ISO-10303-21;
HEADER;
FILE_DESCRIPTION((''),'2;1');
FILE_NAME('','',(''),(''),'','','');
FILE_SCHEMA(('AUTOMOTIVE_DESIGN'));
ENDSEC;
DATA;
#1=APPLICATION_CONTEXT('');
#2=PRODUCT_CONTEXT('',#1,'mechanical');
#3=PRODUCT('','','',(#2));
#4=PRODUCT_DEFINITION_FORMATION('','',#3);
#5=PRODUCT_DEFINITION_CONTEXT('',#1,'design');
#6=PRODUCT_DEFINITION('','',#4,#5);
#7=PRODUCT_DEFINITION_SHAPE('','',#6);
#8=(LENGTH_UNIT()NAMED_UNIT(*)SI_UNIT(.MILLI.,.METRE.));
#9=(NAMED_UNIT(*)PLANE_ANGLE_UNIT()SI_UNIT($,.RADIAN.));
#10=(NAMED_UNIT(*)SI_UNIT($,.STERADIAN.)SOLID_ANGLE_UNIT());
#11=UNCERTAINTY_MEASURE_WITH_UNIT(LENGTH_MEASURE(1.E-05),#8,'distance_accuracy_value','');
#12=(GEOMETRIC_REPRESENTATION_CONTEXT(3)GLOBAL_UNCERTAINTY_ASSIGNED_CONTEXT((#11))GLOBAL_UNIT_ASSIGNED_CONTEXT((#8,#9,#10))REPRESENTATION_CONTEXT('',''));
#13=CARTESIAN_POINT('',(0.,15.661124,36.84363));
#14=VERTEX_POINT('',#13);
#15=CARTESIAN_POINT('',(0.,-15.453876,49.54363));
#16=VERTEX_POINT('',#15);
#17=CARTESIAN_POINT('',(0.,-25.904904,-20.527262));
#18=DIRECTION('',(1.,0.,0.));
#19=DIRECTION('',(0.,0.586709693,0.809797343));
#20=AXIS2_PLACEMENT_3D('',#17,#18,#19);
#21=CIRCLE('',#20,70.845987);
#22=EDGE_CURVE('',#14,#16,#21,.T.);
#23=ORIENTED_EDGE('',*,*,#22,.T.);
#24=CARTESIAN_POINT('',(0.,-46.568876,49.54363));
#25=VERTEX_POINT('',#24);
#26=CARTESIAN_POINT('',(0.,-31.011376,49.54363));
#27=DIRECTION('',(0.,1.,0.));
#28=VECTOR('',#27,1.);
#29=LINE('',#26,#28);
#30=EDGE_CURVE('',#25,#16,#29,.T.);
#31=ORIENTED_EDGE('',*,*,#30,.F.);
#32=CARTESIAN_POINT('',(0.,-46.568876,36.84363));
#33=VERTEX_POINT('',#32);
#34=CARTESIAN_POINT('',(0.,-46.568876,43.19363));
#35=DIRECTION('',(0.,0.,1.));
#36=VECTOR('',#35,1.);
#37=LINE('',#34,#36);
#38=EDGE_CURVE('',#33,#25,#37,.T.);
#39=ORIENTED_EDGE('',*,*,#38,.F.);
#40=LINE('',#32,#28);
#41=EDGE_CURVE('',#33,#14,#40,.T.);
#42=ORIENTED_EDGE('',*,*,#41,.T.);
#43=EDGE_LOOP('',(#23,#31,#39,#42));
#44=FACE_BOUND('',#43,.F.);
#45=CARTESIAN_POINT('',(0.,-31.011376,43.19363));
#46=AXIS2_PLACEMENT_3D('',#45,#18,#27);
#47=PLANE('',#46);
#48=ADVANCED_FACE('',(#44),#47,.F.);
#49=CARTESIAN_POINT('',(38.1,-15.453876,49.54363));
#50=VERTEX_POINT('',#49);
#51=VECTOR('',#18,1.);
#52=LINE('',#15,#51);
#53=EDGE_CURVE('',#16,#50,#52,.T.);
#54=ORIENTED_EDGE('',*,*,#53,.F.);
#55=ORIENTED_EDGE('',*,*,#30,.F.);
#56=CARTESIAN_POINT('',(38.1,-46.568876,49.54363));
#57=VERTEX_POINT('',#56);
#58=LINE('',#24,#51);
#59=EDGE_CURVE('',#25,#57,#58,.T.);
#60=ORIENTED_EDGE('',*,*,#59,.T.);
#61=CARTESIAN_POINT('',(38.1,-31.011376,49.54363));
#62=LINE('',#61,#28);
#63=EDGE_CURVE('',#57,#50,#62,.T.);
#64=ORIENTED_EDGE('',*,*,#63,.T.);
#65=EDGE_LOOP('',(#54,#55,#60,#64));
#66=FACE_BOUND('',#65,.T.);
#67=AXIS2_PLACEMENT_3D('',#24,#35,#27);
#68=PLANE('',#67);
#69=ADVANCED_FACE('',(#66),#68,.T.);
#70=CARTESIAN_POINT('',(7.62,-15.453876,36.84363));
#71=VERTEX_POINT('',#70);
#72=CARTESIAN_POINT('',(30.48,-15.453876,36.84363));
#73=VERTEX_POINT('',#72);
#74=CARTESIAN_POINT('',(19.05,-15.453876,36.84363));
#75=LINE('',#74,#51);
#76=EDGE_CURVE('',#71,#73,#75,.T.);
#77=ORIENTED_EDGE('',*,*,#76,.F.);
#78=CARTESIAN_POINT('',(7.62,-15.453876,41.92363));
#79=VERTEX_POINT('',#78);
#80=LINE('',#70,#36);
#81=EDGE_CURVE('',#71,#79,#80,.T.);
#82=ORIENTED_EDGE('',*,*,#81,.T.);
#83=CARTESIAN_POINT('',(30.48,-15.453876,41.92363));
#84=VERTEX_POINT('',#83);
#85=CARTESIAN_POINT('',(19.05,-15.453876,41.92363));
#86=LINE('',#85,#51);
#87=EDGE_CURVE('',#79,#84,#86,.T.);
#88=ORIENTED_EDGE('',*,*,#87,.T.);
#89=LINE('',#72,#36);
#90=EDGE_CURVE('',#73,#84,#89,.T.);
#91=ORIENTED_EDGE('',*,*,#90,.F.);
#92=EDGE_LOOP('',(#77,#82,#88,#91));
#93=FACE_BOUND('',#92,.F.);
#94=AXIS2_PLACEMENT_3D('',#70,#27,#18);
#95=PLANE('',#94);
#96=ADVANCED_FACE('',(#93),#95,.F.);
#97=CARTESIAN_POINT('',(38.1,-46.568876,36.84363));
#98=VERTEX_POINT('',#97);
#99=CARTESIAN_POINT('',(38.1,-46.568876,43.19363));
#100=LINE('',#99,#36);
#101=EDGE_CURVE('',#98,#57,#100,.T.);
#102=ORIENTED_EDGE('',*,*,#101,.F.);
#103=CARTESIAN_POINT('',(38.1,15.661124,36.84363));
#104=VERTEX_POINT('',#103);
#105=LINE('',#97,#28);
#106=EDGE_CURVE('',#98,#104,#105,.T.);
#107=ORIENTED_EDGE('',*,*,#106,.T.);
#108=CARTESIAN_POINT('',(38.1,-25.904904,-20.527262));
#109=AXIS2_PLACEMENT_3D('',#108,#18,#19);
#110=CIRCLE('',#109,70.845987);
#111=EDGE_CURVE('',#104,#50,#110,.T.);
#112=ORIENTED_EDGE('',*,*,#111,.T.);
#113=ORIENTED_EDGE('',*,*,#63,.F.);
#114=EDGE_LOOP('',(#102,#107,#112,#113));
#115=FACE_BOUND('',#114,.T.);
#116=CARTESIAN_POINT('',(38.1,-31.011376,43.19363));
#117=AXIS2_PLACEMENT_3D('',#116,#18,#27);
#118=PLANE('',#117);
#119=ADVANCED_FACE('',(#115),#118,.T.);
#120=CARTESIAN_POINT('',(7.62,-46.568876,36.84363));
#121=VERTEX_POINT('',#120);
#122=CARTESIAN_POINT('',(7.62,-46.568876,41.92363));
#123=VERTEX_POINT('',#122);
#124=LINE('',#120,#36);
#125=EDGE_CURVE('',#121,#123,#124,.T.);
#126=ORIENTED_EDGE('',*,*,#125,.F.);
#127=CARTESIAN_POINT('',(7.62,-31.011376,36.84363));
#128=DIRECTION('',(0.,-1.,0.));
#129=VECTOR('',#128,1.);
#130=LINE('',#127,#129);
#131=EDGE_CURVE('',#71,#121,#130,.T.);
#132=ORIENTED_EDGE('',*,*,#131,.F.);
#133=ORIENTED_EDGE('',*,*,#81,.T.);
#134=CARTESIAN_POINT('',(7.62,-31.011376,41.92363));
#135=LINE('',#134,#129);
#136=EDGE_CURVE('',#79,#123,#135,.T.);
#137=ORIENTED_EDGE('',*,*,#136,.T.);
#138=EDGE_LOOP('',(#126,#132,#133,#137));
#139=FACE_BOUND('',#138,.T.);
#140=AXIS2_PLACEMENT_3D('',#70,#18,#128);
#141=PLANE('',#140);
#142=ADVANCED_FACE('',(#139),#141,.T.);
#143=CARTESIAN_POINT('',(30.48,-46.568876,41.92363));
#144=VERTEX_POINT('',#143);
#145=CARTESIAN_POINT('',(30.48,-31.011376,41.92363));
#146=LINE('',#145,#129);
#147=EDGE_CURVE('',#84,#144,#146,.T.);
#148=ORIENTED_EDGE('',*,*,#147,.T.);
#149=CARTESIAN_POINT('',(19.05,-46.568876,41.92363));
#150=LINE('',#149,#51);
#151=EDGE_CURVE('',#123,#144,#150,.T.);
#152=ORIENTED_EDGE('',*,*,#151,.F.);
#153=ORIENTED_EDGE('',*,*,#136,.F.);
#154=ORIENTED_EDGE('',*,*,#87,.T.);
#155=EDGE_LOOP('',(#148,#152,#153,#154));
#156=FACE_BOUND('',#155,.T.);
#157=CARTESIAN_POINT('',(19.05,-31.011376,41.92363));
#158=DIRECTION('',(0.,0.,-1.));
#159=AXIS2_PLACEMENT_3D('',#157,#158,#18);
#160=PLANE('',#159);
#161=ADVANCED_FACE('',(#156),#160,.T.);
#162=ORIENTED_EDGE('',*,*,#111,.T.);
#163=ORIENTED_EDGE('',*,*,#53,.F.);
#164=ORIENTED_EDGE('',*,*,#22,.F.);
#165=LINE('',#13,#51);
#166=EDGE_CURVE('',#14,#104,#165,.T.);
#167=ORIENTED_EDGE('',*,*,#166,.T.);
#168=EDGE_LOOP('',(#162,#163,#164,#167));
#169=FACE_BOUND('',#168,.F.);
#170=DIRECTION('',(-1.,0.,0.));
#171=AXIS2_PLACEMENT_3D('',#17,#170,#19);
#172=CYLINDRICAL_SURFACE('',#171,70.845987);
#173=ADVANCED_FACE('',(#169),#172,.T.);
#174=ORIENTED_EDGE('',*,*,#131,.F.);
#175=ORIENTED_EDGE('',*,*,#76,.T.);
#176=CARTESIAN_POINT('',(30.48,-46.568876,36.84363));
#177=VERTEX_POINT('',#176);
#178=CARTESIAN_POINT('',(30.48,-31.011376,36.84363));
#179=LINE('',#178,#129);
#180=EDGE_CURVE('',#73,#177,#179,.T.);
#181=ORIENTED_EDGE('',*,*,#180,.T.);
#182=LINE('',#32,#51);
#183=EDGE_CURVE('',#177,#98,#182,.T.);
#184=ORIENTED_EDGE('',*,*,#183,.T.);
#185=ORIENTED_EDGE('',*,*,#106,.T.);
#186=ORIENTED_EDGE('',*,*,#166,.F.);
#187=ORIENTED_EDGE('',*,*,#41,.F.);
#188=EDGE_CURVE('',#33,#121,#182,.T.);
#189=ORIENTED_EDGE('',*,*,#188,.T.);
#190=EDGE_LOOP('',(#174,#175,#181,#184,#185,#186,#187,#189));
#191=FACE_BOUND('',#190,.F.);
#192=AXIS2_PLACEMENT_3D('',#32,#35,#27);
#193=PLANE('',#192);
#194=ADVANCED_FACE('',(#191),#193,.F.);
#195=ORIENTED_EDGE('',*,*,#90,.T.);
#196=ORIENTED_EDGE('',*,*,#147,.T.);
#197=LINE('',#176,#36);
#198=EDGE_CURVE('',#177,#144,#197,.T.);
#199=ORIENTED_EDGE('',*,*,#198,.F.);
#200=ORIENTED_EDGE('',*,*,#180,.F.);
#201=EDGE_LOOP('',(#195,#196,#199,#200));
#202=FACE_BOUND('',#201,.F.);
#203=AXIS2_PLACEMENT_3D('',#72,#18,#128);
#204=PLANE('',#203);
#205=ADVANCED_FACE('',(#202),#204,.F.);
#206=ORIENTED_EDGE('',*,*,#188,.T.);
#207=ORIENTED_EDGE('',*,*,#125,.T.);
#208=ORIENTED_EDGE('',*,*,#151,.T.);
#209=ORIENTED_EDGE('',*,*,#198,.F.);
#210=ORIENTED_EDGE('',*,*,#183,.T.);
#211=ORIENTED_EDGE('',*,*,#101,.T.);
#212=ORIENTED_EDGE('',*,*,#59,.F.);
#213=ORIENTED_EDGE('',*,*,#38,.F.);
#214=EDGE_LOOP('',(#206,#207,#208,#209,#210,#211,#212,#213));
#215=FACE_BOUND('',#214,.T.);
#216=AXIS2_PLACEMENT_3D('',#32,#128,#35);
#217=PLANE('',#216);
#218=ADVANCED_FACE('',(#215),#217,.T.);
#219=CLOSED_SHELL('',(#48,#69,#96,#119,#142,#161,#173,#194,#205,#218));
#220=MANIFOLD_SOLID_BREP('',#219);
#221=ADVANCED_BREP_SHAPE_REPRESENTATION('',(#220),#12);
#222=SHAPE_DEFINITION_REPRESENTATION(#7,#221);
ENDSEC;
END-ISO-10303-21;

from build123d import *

# Parameters (mm, degrees)
F0_W     = 31.115
F0_H     = 12.7
F1_DEPTH = 38.1
F2_W     = 22.86
F2_H     = 31.115
F3_DEPTH = 5.08


with BuildPart() as f1:
    # F0 (on Right) → F1 (new body)
    with BuildSketch(Plane.YZ):
        with Locations((-31.0113760504, 43.1936303318)):
            Rectangle(F0_W, F0_H)
        with BuildLine():
            Line((-15.4538760504, 49.5436303318), (-15.4538760504, 36.8436303318))
            Line((-15.4538760504, 36.8436303318), (15.6611239496, 36.8436303318))
            ThreePointArc((15.6611239496, 36.8436303318), (0.8675823776, 45.0653284805), (-15.4538760504, 49.5436303318))
        make_face()
    extrude(amount=F1_DEPTH)

    # F2 (on face) → F3 (cut)
    with BuildSketch(Plane(origin=(0, 0, 36.8436303318), x_dir=(1, 0, 0), z_dir=(0, 0, -1))):
        with Locations((19.05, 31.0113760504)):
            Rectangle(F2_W, F2_H)
    extrude(amount=-F3_DEPTH, mode=Mode.SUBTRACT)


solid = f1.part
